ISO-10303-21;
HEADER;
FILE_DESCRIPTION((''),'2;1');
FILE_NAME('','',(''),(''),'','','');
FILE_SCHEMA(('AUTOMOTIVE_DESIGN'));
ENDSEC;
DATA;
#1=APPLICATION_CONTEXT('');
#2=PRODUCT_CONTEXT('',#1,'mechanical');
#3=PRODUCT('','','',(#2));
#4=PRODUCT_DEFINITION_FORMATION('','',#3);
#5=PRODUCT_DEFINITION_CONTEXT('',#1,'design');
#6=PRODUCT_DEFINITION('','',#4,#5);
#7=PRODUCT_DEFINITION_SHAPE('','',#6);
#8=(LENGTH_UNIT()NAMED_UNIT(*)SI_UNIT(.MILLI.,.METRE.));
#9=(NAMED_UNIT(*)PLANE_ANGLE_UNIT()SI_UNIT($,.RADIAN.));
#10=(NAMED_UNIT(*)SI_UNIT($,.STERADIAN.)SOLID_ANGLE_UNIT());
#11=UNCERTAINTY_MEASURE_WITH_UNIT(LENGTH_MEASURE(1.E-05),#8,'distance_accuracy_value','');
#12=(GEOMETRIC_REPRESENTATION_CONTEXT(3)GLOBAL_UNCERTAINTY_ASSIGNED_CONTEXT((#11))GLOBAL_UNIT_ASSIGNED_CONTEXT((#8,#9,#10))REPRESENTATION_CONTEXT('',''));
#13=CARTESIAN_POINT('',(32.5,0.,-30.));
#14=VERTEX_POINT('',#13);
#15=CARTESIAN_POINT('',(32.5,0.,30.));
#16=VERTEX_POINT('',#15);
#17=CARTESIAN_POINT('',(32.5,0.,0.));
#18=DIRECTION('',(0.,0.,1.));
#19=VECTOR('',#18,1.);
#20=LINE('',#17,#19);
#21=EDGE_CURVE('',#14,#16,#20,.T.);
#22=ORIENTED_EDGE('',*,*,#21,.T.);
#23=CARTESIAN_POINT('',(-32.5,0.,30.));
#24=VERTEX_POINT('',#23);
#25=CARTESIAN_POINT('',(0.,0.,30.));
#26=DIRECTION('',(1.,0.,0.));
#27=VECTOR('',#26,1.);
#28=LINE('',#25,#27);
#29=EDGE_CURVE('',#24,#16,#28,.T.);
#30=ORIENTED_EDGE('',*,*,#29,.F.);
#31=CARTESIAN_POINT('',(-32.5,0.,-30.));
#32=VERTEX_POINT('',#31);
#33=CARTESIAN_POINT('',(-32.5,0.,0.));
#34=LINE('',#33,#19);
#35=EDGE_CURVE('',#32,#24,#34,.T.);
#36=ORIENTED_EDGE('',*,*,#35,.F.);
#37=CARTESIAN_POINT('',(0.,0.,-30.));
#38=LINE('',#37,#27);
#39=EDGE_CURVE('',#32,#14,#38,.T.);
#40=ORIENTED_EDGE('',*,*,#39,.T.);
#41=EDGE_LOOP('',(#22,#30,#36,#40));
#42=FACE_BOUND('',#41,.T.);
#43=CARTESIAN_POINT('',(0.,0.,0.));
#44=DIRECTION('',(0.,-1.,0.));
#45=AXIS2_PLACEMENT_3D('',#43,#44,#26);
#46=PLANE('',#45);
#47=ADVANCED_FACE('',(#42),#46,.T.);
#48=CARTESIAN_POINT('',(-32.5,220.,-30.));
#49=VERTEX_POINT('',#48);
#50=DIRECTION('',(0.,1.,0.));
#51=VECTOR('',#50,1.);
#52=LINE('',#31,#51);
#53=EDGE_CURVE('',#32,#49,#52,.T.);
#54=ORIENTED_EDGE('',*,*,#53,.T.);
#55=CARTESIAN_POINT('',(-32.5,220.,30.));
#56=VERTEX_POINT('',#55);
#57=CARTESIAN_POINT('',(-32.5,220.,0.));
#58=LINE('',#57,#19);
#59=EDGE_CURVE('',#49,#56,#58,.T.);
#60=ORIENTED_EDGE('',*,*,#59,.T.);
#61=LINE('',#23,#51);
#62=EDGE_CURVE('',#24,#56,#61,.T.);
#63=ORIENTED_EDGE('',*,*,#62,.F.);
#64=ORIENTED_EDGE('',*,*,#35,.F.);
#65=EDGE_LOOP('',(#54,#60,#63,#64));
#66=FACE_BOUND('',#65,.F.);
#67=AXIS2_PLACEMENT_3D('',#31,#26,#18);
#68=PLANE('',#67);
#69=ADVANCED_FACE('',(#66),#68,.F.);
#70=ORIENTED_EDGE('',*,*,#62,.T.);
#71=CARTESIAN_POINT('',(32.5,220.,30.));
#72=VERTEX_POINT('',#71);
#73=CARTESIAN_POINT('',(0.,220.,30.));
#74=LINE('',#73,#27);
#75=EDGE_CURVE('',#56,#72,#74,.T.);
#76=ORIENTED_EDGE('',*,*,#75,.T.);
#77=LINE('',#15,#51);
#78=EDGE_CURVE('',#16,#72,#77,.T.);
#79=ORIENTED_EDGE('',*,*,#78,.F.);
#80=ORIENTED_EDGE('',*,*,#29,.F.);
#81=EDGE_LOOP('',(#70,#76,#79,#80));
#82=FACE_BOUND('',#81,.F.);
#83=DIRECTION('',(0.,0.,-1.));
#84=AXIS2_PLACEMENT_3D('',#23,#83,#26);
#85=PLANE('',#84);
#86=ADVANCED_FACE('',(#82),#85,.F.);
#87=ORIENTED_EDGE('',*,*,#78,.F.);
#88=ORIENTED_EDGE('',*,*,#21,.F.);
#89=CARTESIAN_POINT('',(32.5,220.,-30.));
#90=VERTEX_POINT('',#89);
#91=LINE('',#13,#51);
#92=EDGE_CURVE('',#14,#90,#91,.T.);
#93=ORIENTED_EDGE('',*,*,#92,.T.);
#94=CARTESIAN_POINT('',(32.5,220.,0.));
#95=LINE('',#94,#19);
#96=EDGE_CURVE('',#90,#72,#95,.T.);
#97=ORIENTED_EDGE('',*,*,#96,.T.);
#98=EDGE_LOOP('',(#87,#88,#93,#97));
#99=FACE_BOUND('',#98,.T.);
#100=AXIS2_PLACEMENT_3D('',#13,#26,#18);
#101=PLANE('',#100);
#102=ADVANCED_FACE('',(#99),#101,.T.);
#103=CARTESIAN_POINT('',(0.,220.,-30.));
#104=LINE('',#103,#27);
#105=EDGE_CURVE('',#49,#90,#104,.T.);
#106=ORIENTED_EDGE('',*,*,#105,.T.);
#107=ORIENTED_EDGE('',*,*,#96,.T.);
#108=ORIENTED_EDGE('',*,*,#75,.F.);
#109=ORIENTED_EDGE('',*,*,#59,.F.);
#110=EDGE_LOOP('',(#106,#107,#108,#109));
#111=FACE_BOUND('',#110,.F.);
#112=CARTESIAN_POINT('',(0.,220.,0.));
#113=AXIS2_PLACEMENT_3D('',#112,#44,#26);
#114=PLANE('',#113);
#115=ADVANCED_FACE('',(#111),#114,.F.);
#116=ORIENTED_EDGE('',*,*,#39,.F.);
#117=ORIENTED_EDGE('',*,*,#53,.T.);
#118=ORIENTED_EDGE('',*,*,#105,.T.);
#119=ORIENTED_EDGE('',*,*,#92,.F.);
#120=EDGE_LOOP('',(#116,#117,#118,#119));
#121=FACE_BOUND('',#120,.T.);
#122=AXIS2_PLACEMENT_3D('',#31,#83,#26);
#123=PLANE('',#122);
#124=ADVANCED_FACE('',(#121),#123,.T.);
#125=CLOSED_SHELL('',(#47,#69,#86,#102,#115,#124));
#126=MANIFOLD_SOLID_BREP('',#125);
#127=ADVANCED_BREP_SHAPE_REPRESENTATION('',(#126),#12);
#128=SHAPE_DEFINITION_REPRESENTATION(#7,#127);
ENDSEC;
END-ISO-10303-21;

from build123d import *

# Parameters (mm, degrees)
SKETCH_AS_DRAWN_W                 = 65
SKETCH_AS_DRAWN_H                 = 60
EXTRUDE001_DEPTH                  = 220
EXTRUDE001_ONTO_SKETCH_ROLL_ANGLE = 90


with BuildPart() as part:
    # Sketch as drawn → Extrude001 (new)
    with BuildSketch(Plane.XY):
        Rectangle(SKETCH_AS_DRAWN_W, SKETCH_AS_DRAWN_H)
    extrude(amount=-EXTRUDE001_DEPTH)


with BuildPart() as part_1:
    # Extrude001 onto Sketch roll: moved
    add(part.part.rotate(Axis((0, 0, 0), (1, 0, 0)), EXTRUDE001_ONTO_SKETCH_ROLL_ANGLE))


with BuildPart() as part_2:
    # Extrude001 onto Sketch placement: moved
    add(part_1.part)


solid = part_2.part
